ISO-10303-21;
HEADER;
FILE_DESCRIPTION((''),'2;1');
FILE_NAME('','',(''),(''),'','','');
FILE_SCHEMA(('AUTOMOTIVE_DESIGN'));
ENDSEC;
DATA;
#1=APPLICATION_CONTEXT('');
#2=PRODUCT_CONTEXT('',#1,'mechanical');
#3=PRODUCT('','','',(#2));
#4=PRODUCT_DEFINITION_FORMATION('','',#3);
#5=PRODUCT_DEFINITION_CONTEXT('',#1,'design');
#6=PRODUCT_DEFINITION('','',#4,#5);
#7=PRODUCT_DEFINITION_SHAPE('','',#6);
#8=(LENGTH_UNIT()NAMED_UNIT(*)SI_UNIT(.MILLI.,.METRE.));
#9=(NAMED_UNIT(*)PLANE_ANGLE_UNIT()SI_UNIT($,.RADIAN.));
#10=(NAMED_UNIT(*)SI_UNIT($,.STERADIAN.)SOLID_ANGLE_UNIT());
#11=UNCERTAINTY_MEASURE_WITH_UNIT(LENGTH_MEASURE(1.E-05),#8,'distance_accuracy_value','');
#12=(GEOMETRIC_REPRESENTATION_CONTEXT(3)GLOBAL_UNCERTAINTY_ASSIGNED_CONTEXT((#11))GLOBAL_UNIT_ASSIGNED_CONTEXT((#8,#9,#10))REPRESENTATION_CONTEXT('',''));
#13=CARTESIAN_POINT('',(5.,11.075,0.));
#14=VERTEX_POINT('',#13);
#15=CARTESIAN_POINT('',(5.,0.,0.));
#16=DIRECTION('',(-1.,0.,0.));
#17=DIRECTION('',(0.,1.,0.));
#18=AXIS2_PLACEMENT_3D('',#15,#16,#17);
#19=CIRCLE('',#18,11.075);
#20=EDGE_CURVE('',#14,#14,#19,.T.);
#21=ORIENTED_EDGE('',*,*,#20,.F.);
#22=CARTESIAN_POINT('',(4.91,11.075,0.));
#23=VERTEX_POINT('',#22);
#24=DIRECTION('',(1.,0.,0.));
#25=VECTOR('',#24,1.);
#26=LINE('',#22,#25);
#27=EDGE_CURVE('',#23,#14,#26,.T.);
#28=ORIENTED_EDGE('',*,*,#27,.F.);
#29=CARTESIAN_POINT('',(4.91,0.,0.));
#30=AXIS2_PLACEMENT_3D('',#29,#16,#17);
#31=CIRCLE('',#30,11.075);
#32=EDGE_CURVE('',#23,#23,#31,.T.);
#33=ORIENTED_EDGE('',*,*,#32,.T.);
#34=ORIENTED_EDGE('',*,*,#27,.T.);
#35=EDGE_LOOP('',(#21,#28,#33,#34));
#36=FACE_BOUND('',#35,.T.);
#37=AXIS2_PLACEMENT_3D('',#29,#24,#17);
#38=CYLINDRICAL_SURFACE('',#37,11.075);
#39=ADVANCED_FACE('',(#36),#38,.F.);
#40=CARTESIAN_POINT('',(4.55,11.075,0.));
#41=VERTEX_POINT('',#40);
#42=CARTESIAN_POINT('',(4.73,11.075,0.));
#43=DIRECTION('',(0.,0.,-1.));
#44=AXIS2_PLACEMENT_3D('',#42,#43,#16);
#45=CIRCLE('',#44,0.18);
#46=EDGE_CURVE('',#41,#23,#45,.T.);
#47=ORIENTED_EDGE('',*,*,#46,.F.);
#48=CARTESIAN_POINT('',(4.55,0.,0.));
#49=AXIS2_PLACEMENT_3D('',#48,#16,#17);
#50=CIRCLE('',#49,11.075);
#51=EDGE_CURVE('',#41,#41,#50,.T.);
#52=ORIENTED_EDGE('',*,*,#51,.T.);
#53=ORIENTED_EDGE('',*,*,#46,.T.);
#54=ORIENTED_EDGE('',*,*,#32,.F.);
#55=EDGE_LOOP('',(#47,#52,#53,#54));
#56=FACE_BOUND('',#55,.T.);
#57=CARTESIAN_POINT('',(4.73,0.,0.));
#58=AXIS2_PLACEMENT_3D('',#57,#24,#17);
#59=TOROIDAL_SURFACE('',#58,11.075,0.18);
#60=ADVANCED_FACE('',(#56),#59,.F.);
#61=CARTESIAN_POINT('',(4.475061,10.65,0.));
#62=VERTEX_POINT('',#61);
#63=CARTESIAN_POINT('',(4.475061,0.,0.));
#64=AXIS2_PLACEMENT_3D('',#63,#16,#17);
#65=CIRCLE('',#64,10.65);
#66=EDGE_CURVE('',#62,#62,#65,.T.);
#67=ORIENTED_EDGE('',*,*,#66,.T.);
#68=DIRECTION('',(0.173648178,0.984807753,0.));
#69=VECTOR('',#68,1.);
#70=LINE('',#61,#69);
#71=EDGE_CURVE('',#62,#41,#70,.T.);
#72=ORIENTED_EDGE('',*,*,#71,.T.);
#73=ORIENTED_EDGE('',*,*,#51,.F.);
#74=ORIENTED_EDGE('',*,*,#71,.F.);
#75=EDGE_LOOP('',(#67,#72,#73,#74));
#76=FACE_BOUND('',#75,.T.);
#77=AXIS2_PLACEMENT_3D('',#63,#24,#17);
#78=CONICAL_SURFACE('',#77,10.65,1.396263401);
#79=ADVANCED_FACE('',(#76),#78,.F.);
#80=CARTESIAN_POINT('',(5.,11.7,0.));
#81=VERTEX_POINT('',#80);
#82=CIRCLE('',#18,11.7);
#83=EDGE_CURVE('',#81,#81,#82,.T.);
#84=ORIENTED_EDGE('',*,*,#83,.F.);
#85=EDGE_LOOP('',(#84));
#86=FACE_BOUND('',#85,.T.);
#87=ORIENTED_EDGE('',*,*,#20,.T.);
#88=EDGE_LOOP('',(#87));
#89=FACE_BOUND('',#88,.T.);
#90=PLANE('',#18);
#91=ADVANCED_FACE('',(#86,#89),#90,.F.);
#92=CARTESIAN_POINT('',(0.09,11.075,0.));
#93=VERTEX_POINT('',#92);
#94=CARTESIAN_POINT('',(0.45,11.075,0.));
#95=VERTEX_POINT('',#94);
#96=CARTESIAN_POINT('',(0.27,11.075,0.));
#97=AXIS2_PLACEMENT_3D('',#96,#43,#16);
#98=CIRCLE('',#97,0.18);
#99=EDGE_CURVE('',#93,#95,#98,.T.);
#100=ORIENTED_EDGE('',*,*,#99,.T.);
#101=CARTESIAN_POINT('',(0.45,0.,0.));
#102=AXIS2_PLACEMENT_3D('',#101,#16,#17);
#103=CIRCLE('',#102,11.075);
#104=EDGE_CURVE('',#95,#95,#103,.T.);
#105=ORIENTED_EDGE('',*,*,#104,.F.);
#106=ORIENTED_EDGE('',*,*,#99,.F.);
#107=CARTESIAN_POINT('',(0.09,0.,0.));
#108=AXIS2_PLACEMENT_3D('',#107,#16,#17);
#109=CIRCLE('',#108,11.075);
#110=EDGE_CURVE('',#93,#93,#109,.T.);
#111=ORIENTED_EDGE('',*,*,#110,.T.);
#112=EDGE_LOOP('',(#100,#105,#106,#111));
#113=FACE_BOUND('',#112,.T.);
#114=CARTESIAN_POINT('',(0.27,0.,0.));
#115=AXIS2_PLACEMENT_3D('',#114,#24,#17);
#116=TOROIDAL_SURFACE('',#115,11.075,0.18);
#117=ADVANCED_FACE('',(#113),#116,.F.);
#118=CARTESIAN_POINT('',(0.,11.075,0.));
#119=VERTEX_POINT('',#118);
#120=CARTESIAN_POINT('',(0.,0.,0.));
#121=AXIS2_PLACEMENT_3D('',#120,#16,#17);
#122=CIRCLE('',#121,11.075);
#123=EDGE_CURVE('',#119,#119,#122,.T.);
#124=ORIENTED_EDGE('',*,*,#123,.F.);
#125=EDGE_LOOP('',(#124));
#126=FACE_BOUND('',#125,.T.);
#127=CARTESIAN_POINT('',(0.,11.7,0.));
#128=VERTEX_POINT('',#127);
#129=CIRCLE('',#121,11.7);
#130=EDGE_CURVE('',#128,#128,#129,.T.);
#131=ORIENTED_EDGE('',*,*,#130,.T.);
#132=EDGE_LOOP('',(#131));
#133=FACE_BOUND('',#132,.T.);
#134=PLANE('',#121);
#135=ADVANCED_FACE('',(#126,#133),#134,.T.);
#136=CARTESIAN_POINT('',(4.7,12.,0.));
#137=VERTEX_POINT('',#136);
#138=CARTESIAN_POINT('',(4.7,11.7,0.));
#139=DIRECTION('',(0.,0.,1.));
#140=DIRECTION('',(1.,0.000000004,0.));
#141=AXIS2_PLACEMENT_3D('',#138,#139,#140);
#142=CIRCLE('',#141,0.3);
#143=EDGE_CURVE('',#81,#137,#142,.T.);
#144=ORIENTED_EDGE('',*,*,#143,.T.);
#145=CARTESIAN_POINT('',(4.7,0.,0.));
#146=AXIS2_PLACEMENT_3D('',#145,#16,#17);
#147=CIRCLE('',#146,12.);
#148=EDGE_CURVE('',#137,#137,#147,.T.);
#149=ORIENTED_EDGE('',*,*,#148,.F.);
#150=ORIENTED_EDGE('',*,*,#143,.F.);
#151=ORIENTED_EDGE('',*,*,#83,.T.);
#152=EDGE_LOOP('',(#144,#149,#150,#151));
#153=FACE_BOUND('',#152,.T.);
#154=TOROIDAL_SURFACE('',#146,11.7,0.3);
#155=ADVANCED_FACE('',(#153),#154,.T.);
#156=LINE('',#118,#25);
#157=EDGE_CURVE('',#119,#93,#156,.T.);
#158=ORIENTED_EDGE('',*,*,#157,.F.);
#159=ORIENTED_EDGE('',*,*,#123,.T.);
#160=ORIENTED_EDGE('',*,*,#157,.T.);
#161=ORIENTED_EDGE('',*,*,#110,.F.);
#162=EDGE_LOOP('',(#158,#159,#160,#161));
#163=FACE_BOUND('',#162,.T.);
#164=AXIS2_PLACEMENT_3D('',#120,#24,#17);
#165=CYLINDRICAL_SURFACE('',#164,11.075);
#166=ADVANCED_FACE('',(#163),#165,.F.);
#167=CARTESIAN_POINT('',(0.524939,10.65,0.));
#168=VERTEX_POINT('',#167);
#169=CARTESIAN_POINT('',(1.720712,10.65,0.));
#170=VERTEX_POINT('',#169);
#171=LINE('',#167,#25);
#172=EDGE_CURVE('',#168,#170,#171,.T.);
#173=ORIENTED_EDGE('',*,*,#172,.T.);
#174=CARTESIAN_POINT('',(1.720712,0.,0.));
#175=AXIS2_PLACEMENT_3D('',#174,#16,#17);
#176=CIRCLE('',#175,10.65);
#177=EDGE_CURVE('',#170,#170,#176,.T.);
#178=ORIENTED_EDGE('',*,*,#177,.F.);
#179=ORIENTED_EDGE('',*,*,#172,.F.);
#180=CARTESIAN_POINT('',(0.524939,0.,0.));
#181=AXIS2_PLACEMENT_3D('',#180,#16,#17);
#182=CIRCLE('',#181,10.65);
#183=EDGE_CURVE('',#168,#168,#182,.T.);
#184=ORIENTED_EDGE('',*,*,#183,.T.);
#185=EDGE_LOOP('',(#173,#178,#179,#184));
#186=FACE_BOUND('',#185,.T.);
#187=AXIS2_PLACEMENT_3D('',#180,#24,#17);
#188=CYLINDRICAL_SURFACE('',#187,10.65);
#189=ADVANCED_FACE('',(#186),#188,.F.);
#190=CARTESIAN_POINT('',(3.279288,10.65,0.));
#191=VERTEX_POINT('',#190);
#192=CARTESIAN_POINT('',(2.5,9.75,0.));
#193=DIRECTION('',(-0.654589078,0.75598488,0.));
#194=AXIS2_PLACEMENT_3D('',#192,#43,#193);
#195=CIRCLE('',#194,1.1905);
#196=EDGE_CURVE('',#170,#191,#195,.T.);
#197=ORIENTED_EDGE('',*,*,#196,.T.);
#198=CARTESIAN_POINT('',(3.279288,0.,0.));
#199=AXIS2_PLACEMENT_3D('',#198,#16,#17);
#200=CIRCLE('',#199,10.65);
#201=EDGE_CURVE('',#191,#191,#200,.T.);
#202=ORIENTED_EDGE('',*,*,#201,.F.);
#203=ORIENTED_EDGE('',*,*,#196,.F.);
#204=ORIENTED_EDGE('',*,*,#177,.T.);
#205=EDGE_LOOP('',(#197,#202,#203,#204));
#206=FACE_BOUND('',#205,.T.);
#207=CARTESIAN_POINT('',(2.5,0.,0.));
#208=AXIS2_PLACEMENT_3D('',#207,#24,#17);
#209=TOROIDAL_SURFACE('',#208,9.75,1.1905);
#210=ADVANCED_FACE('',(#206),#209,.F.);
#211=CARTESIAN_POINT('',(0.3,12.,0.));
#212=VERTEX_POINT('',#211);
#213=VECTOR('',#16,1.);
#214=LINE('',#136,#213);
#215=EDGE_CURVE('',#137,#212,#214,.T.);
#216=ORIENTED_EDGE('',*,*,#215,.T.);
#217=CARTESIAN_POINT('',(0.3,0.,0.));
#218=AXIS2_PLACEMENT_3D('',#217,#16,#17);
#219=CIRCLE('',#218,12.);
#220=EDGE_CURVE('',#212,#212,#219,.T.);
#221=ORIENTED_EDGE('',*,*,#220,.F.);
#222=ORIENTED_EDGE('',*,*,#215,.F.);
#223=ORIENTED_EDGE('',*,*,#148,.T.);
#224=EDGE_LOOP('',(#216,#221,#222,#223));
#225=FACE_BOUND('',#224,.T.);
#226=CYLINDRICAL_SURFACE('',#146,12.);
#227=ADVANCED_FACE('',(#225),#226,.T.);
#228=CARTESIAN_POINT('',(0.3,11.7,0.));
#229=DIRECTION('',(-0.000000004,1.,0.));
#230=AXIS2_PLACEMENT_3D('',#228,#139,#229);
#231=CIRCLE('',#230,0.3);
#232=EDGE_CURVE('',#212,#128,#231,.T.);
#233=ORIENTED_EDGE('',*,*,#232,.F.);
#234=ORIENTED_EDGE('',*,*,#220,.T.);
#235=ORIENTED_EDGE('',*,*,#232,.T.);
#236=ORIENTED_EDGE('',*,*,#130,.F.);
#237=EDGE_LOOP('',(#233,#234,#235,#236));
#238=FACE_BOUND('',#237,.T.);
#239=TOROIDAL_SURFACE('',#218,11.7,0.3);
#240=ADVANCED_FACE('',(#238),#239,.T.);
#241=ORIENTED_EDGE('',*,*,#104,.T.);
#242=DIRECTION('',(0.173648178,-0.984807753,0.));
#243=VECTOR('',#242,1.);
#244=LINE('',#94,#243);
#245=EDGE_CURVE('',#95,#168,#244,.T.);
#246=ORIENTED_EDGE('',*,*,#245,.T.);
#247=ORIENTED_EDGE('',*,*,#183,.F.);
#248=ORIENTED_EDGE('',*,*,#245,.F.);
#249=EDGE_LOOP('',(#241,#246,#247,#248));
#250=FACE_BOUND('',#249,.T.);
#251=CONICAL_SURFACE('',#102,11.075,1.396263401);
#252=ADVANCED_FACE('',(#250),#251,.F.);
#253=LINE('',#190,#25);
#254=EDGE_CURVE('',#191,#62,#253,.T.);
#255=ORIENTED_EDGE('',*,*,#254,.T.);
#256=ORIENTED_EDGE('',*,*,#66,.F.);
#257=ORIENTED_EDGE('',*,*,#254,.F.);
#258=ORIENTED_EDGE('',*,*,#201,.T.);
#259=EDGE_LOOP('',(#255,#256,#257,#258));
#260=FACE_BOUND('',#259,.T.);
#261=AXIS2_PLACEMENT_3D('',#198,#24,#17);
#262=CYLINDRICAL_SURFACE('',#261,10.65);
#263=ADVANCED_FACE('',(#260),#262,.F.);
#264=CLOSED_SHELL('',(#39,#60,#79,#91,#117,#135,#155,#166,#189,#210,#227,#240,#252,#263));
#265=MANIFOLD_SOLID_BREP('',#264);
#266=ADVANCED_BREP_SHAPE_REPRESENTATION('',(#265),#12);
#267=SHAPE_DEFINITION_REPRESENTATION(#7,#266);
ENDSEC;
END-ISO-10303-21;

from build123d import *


with BuildPart() as part:
    # 草图1 → 旋转1 (revolve)
    with BuildSketch(Plane.XY):
        with BuildLine():
            Line((0, 11.075), (0.09, 11.075))
            ThreePointArc((0.09, 11.075), (0.27, 11.255), (0.45, 11.075))
            Line((0.45, 11.075), (0.524938967, 10.65))
            Line((0.524938967, 10.65), (1.720711703, 10.65))
            ThreePointArc((1.720711703, 10.65), (2.5, 10.9405), (3.279288297, 10.65))
            Line((3.279288297, 10.65), (4.475061033, 10.65))
            Line((4.475061033, 10.65), (4.55, 11.075))
            ThreePointArc((4.55, 11.075), (4.73, 11.255), (4.91, 11.075))
            Line((4.91, 11.075), (5, 11.075))
            Line((5, 11.075), (5, 11.7))
            ThreePointArc((5, 11.7), (4.912132034, 11.912132034), (4.7, 12))
            Line((4.7, 12), (0.3, 12))
            ThreePointArc((0.3, 12), (0.087867966, 11.912132034), (0, 11.7))
            Line((0, 11.7), (0, 11.075))
        make_face()
    revolve(axis=Axis((50, 0, 0), (-1, 0, 0)))


solid = part.part
